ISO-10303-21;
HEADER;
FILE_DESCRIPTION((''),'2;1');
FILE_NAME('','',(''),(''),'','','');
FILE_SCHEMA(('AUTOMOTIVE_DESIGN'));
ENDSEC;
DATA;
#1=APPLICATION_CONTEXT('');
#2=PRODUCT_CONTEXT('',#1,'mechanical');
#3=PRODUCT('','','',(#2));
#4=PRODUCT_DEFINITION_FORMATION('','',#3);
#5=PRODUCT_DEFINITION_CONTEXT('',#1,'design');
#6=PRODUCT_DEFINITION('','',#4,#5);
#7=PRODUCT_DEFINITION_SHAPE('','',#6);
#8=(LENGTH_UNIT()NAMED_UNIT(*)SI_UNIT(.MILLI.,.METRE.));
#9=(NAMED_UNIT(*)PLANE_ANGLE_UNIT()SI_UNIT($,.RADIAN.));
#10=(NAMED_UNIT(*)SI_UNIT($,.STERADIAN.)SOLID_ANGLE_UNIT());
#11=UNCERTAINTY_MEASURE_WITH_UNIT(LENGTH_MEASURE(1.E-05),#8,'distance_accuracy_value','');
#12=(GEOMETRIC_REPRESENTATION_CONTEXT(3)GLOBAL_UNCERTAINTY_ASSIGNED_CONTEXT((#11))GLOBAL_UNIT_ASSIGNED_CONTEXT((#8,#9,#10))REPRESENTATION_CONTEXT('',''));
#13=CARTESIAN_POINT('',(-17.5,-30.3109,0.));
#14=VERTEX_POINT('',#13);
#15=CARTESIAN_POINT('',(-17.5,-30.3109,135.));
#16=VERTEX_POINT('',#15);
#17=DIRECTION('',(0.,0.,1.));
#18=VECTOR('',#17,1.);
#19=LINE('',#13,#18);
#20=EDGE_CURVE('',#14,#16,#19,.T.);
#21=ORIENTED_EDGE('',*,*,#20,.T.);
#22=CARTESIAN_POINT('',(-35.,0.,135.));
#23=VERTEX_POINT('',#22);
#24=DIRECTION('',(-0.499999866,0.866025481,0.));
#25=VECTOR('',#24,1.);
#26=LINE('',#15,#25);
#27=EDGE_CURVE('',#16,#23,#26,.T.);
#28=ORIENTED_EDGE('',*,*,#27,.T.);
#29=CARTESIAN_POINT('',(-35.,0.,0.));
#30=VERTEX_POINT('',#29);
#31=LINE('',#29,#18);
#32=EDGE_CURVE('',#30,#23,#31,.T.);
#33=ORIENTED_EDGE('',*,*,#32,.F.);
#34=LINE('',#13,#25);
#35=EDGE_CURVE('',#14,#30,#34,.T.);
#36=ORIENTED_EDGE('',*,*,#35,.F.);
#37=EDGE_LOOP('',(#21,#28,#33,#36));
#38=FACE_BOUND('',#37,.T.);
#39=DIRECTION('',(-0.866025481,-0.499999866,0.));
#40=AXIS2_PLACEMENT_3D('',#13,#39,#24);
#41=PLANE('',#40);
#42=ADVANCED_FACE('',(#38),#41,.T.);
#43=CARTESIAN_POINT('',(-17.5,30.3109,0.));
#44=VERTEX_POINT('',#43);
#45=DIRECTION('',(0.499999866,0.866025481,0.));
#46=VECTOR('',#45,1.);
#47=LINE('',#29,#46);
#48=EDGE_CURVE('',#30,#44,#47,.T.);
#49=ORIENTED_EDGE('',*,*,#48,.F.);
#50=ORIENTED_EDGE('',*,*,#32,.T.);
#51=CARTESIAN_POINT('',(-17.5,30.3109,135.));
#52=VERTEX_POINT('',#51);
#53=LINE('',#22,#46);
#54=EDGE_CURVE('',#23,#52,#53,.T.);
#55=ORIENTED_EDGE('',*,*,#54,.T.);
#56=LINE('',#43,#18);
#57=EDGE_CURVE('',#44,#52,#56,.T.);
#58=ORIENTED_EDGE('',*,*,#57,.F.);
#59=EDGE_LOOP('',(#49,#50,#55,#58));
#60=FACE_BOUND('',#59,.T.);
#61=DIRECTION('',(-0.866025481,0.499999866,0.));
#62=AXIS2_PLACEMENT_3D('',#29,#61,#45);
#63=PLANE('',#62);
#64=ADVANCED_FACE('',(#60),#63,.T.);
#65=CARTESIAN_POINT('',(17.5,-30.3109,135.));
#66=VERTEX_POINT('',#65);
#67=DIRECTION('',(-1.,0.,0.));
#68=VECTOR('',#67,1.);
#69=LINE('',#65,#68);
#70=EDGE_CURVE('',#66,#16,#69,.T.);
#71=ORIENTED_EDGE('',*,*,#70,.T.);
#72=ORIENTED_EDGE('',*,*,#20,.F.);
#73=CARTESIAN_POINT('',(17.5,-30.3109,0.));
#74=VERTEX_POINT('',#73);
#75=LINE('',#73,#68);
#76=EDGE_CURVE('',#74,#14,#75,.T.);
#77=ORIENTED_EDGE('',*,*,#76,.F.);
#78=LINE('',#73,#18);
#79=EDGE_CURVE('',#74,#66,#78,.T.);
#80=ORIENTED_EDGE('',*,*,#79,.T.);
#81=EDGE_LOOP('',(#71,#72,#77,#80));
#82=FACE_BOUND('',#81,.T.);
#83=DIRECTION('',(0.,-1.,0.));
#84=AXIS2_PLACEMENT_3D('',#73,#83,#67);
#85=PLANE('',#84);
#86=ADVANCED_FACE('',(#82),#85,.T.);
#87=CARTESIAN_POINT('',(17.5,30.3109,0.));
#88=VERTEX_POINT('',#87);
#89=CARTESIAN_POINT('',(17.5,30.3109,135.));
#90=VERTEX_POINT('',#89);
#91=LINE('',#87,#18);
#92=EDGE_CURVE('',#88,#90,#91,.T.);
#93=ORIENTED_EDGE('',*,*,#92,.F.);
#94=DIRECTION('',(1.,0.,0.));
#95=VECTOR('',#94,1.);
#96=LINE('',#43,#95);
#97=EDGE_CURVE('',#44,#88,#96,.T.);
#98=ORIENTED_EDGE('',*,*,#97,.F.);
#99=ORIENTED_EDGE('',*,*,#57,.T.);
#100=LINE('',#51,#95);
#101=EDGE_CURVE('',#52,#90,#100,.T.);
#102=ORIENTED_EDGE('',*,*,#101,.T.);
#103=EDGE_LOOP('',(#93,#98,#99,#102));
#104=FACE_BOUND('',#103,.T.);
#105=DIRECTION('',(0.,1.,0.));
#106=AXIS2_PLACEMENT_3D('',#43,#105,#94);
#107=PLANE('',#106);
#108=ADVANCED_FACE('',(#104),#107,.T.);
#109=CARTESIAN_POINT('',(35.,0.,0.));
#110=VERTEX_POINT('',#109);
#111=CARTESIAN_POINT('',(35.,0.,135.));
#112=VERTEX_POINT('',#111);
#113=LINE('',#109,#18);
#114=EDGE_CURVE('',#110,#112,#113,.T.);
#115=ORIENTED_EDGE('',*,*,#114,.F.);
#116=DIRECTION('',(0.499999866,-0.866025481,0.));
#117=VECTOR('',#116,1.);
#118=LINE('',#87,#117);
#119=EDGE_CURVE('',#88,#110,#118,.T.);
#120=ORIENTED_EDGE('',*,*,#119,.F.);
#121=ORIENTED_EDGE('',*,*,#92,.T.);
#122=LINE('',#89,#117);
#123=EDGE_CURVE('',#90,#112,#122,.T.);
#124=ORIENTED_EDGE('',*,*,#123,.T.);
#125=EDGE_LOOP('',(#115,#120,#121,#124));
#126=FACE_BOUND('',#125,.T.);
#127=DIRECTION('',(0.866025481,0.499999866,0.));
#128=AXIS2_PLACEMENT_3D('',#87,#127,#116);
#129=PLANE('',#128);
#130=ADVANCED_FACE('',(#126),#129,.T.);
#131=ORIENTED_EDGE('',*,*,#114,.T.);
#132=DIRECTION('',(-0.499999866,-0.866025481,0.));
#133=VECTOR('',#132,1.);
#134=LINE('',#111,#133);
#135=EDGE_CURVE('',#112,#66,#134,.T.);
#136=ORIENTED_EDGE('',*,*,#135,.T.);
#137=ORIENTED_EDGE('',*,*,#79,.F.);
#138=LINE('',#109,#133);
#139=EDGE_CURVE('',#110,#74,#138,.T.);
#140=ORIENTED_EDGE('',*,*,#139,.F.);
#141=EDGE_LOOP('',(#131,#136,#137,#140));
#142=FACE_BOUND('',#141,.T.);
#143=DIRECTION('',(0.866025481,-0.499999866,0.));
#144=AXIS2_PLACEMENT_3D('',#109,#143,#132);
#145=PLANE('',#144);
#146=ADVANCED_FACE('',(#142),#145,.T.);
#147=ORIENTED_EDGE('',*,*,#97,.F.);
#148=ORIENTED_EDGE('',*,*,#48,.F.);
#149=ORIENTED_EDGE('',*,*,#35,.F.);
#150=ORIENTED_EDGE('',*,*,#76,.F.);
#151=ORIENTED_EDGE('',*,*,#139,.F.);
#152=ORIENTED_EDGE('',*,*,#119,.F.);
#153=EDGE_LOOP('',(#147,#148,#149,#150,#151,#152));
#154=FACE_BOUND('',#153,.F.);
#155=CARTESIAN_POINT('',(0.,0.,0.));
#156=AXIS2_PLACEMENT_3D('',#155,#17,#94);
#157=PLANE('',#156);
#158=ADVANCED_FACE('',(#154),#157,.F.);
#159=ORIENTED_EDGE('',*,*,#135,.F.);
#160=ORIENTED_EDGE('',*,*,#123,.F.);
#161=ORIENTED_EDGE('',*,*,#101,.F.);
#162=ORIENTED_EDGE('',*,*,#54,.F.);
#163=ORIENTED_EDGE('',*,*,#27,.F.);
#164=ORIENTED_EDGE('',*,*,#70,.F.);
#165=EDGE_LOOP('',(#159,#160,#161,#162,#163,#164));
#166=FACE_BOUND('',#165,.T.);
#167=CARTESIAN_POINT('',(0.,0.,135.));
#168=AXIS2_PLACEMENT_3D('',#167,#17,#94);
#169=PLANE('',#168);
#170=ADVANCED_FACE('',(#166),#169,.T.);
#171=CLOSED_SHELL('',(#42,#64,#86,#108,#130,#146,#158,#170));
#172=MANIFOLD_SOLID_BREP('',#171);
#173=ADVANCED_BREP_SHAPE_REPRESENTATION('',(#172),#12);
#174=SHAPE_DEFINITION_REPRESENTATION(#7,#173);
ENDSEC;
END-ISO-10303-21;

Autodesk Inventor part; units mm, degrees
ref_plane "YZ Plane" through (0, 0, 0) normal (1, 0, 0) x (0, 1, 0)
ref_plane "XZ Plane" through (0, 0, 0) normal (0, 1, 0) x (-1, 0, 0)
ref_plane "XY Plane" through (0, 0, 0) normal (0, 0, 1) x (1, 0, 0)
sketch "スケッチ1" plane through (0, 0, 0) normal (0, 0, 1) x (1, 0, 0)
  line L0 (35, 0) -> (17.5, -30.3109)
  line L1 (17.5, -30.3109) -> (-17.5, -30.3109)
  line L2 (-17.5, -30.3109) -> (-35, 0)
  line L3 (-35, 0) -> (-17.5, 30.3109)
  line L4 (-17.5, 30.3109) -> (17.5, 30.3109)
  line L5 (17.5, 30.3109) -> (35, 0)
  point P0 (0, 0)
  point P1 (0, 0)
  dimension "d0" = 35
extrude "押し出し1" add sketch "スケッチ1" along normal blind 135
properties part number "koara_march"
